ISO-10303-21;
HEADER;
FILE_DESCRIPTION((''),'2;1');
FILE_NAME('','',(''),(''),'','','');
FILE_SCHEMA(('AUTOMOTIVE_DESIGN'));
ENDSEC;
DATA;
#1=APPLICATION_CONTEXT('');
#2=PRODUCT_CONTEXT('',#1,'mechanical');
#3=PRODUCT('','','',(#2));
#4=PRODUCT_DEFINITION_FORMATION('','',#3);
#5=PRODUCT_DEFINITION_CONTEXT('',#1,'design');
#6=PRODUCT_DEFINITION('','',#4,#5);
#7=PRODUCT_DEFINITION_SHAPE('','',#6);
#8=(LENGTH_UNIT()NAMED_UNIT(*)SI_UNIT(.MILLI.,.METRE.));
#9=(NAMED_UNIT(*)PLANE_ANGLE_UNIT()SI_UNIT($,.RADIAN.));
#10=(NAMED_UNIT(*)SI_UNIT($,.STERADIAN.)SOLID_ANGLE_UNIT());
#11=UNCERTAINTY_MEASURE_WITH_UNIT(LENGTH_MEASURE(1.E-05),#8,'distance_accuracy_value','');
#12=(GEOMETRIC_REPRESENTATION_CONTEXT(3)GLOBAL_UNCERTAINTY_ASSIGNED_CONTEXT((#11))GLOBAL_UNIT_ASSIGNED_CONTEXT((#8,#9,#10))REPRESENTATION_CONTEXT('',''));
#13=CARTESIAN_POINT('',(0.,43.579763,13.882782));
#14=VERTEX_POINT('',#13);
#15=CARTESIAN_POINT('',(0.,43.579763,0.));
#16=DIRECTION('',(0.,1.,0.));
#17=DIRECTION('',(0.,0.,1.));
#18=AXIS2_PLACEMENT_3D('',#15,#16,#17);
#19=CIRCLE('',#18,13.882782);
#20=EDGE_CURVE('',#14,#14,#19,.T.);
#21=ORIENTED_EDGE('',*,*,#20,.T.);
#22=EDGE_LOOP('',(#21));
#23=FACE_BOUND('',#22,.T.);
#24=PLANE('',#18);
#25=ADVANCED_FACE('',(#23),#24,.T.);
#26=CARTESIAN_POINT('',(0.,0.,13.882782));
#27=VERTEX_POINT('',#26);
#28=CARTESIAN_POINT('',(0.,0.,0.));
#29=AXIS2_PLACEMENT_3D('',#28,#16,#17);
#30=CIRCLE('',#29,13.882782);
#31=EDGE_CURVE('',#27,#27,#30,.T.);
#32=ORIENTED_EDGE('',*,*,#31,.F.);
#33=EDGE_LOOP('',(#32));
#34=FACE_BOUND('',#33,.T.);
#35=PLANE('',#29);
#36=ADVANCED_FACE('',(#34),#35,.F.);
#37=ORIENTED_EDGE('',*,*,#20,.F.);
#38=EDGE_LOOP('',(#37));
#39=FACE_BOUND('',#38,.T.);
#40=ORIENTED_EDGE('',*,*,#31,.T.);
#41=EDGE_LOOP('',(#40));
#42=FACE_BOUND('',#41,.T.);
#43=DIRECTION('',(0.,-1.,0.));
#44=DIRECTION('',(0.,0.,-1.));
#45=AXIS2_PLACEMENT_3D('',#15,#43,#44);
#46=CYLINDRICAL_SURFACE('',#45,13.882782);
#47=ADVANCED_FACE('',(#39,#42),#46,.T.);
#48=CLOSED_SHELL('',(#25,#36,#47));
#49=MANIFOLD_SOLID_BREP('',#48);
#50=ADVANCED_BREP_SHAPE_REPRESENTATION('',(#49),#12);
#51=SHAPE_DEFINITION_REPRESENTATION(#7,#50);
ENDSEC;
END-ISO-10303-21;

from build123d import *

# Parameters (mm, degrees)
SKETCH1_R           = 13.882781918
BOSS_EXTRUDE1_DEPTH = 43.579763043


with BuildPart() as part:
    # Sketch1 → Boss-Extrude1 (new body)
    with BuildSketch(Plane(origin=(0, 0, 0), x_dir=(1, 0, 0), z_dir=(0, 1, 0))):
        with Locations(Location((0, 0, 0), (0, 0, 270))):
            Circle(SKETCH1_R)
    extrude(amount=BOSS_EXTRUDE1_DEPTH)


solid = part.part
